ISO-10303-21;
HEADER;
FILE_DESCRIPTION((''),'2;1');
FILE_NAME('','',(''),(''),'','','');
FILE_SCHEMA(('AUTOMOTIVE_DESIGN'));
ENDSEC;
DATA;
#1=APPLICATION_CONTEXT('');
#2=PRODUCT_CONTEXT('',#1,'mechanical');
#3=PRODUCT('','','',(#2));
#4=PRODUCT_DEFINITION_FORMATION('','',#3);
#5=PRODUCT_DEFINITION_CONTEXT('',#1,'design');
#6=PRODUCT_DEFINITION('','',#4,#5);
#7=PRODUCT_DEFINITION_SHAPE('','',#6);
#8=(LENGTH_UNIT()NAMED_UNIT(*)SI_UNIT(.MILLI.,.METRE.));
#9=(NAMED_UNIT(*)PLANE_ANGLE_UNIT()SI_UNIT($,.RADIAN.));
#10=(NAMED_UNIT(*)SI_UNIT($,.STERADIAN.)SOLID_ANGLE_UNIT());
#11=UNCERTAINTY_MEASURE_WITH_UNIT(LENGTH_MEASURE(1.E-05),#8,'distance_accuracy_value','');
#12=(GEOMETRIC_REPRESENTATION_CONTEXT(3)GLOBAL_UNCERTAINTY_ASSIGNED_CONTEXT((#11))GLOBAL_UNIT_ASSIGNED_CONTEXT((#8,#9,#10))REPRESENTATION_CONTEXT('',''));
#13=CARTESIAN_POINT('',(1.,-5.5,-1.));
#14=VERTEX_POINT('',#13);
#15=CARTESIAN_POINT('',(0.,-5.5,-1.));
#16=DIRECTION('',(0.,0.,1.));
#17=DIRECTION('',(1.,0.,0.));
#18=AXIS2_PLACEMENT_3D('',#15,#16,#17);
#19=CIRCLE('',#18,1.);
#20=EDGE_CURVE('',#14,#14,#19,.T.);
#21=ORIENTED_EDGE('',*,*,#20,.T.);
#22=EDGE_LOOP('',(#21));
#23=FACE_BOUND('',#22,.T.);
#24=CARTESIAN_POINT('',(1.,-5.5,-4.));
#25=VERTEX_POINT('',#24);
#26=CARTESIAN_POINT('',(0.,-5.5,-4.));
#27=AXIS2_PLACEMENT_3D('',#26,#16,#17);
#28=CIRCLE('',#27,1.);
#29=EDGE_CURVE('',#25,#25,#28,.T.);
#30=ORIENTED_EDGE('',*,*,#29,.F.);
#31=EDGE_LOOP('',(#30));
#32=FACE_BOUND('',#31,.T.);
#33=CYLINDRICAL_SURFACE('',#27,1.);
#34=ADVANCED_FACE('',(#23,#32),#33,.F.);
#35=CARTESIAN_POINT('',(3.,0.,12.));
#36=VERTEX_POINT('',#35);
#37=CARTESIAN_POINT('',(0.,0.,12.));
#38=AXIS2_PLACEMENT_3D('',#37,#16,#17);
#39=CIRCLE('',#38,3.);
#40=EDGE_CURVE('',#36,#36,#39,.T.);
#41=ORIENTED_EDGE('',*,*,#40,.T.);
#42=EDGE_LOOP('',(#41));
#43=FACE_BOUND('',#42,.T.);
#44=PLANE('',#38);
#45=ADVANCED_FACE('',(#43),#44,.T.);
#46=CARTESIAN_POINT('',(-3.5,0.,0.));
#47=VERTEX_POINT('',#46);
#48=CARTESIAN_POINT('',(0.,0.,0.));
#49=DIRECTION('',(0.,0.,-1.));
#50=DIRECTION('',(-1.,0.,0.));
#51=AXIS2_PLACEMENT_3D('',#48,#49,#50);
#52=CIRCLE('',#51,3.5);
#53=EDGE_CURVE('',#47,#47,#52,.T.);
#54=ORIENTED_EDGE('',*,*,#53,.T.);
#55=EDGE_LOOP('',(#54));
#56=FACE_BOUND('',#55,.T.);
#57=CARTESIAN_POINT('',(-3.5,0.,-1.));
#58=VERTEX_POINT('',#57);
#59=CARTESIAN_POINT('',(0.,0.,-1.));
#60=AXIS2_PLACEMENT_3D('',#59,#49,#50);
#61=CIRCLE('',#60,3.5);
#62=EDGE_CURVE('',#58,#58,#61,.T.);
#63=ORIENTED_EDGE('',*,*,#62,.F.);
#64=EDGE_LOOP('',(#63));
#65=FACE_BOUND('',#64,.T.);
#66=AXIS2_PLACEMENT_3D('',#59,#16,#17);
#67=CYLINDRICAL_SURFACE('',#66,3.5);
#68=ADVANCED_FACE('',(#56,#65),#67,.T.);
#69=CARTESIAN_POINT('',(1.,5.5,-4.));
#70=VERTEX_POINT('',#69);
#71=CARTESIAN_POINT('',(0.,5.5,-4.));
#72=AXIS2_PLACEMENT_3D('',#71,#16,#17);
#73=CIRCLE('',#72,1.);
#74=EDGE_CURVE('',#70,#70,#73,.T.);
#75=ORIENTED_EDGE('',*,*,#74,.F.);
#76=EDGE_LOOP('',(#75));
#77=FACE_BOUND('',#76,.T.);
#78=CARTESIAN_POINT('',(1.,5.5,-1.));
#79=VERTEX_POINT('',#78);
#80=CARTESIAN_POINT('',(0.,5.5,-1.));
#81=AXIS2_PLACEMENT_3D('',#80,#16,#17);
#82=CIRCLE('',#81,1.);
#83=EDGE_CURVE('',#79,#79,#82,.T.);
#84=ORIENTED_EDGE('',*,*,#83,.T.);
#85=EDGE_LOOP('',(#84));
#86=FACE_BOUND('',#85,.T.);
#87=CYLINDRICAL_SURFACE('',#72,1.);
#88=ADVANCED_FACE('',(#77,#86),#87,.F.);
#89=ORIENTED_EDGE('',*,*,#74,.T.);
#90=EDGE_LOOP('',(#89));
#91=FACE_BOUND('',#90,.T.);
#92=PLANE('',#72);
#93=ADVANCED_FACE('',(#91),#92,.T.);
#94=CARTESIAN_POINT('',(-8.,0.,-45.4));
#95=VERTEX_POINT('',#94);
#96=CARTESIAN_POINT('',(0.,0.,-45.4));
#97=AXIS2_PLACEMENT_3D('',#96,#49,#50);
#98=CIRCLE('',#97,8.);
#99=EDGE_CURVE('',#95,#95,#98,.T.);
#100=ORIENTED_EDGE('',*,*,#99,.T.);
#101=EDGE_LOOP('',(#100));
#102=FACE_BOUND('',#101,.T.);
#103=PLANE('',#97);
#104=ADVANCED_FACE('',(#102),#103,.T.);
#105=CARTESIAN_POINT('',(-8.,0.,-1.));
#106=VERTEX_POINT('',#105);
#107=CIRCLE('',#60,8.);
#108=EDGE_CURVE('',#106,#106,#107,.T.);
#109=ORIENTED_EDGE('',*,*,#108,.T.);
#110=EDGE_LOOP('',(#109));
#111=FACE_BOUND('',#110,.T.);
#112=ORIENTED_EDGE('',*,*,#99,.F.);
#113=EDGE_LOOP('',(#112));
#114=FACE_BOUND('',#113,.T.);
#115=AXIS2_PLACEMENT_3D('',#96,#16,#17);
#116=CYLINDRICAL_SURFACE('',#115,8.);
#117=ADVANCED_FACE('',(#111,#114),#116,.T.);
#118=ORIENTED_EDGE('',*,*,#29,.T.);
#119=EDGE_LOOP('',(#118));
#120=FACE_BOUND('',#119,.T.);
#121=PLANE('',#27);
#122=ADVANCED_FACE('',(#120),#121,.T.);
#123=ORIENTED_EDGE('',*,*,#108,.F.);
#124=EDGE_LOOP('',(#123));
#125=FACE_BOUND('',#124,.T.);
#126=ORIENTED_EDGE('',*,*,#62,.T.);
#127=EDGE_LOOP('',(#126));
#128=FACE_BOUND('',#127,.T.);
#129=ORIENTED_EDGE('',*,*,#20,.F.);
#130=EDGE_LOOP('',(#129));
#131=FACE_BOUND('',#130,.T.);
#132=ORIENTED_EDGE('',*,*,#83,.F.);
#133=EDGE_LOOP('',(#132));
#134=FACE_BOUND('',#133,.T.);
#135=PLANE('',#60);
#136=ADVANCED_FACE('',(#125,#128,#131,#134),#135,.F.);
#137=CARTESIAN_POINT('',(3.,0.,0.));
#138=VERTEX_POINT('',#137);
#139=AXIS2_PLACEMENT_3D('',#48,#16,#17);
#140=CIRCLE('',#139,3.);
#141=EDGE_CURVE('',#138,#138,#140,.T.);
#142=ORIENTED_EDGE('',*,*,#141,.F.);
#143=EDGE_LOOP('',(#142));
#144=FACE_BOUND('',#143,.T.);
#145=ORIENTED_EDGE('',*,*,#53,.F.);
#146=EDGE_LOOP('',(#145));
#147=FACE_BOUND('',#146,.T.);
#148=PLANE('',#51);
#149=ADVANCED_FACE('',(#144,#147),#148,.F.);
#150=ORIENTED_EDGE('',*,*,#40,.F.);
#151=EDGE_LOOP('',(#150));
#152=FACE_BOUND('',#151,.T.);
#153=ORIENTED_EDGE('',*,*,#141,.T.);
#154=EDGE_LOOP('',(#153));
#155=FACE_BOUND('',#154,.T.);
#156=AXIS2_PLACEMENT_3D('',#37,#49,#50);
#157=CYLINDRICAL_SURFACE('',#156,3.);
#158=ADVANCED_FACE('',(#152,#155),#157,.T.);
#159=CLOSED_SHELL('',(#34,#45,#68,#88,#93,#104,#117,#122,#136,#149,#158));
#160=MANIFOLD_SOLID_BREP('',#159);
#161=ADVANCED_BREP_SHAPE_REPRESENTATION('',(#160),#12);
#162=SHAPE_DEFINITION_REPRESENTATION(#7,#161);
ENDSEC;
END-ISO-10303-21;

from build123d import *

# Parameters (mm, degrees)
SKETCH1_R           = 3
BOSS_EXTRUDE1_DEPTH = 12
SKETCH2_R           = 3.5
BOSS_EXTRUDE2_DEPTH = 1
SKETCH3_R           = 8
BOSS_EXTRUDE3_DEPTH = 44.4
SKETCH4_R           = 1
CUT_EXTRUDE1_DEPTH  = 3


with BuildPart() as part:
    # Sketch1 → Boss-Extrude1 (new body)
    with BuildSketch(Plane.XY):
        Circle(SKETCH1_R)
    extrude(amount=BOSS_EXTRUDE1_DEPTH)

    # Sketch2 → Boss-Extrude2 (add)
    with BuildSketch(Plane(origin=(0, 0, 0), x_dir=(-1, 0, 0), z_dir=(0, 0, -1))):
        Circle(SKETCH2_R)
    extrude(amount=BOSS_EXTRUDE2_DEPTH)

    # Sketch3 → Boss-Extrude3 (add)
    with BuildSketch(Plane(origin=(0, 0, -1), x_dir=(-1, 0, 0), z_dir=(0, 0, -1))):
        Circle(SKETCH3_R)
    extrude(amount=BOSS_EXTRUDE3_DEPTH)

    # Sketch4 → Cut-Extrude1 (cut)
    with BuildSketch(Plane.XY.offset(-1)):
        with Locations((0, 5.5)):
            Circle(SKETCH4_R)
        with Locations((0, -5.5)):
            Circle(SKETCH4_R)
    extrude(amount=-CUT_EXTRUDE1_DEPTH, mode=Mode.SUBTRACT)


solid = part.part
